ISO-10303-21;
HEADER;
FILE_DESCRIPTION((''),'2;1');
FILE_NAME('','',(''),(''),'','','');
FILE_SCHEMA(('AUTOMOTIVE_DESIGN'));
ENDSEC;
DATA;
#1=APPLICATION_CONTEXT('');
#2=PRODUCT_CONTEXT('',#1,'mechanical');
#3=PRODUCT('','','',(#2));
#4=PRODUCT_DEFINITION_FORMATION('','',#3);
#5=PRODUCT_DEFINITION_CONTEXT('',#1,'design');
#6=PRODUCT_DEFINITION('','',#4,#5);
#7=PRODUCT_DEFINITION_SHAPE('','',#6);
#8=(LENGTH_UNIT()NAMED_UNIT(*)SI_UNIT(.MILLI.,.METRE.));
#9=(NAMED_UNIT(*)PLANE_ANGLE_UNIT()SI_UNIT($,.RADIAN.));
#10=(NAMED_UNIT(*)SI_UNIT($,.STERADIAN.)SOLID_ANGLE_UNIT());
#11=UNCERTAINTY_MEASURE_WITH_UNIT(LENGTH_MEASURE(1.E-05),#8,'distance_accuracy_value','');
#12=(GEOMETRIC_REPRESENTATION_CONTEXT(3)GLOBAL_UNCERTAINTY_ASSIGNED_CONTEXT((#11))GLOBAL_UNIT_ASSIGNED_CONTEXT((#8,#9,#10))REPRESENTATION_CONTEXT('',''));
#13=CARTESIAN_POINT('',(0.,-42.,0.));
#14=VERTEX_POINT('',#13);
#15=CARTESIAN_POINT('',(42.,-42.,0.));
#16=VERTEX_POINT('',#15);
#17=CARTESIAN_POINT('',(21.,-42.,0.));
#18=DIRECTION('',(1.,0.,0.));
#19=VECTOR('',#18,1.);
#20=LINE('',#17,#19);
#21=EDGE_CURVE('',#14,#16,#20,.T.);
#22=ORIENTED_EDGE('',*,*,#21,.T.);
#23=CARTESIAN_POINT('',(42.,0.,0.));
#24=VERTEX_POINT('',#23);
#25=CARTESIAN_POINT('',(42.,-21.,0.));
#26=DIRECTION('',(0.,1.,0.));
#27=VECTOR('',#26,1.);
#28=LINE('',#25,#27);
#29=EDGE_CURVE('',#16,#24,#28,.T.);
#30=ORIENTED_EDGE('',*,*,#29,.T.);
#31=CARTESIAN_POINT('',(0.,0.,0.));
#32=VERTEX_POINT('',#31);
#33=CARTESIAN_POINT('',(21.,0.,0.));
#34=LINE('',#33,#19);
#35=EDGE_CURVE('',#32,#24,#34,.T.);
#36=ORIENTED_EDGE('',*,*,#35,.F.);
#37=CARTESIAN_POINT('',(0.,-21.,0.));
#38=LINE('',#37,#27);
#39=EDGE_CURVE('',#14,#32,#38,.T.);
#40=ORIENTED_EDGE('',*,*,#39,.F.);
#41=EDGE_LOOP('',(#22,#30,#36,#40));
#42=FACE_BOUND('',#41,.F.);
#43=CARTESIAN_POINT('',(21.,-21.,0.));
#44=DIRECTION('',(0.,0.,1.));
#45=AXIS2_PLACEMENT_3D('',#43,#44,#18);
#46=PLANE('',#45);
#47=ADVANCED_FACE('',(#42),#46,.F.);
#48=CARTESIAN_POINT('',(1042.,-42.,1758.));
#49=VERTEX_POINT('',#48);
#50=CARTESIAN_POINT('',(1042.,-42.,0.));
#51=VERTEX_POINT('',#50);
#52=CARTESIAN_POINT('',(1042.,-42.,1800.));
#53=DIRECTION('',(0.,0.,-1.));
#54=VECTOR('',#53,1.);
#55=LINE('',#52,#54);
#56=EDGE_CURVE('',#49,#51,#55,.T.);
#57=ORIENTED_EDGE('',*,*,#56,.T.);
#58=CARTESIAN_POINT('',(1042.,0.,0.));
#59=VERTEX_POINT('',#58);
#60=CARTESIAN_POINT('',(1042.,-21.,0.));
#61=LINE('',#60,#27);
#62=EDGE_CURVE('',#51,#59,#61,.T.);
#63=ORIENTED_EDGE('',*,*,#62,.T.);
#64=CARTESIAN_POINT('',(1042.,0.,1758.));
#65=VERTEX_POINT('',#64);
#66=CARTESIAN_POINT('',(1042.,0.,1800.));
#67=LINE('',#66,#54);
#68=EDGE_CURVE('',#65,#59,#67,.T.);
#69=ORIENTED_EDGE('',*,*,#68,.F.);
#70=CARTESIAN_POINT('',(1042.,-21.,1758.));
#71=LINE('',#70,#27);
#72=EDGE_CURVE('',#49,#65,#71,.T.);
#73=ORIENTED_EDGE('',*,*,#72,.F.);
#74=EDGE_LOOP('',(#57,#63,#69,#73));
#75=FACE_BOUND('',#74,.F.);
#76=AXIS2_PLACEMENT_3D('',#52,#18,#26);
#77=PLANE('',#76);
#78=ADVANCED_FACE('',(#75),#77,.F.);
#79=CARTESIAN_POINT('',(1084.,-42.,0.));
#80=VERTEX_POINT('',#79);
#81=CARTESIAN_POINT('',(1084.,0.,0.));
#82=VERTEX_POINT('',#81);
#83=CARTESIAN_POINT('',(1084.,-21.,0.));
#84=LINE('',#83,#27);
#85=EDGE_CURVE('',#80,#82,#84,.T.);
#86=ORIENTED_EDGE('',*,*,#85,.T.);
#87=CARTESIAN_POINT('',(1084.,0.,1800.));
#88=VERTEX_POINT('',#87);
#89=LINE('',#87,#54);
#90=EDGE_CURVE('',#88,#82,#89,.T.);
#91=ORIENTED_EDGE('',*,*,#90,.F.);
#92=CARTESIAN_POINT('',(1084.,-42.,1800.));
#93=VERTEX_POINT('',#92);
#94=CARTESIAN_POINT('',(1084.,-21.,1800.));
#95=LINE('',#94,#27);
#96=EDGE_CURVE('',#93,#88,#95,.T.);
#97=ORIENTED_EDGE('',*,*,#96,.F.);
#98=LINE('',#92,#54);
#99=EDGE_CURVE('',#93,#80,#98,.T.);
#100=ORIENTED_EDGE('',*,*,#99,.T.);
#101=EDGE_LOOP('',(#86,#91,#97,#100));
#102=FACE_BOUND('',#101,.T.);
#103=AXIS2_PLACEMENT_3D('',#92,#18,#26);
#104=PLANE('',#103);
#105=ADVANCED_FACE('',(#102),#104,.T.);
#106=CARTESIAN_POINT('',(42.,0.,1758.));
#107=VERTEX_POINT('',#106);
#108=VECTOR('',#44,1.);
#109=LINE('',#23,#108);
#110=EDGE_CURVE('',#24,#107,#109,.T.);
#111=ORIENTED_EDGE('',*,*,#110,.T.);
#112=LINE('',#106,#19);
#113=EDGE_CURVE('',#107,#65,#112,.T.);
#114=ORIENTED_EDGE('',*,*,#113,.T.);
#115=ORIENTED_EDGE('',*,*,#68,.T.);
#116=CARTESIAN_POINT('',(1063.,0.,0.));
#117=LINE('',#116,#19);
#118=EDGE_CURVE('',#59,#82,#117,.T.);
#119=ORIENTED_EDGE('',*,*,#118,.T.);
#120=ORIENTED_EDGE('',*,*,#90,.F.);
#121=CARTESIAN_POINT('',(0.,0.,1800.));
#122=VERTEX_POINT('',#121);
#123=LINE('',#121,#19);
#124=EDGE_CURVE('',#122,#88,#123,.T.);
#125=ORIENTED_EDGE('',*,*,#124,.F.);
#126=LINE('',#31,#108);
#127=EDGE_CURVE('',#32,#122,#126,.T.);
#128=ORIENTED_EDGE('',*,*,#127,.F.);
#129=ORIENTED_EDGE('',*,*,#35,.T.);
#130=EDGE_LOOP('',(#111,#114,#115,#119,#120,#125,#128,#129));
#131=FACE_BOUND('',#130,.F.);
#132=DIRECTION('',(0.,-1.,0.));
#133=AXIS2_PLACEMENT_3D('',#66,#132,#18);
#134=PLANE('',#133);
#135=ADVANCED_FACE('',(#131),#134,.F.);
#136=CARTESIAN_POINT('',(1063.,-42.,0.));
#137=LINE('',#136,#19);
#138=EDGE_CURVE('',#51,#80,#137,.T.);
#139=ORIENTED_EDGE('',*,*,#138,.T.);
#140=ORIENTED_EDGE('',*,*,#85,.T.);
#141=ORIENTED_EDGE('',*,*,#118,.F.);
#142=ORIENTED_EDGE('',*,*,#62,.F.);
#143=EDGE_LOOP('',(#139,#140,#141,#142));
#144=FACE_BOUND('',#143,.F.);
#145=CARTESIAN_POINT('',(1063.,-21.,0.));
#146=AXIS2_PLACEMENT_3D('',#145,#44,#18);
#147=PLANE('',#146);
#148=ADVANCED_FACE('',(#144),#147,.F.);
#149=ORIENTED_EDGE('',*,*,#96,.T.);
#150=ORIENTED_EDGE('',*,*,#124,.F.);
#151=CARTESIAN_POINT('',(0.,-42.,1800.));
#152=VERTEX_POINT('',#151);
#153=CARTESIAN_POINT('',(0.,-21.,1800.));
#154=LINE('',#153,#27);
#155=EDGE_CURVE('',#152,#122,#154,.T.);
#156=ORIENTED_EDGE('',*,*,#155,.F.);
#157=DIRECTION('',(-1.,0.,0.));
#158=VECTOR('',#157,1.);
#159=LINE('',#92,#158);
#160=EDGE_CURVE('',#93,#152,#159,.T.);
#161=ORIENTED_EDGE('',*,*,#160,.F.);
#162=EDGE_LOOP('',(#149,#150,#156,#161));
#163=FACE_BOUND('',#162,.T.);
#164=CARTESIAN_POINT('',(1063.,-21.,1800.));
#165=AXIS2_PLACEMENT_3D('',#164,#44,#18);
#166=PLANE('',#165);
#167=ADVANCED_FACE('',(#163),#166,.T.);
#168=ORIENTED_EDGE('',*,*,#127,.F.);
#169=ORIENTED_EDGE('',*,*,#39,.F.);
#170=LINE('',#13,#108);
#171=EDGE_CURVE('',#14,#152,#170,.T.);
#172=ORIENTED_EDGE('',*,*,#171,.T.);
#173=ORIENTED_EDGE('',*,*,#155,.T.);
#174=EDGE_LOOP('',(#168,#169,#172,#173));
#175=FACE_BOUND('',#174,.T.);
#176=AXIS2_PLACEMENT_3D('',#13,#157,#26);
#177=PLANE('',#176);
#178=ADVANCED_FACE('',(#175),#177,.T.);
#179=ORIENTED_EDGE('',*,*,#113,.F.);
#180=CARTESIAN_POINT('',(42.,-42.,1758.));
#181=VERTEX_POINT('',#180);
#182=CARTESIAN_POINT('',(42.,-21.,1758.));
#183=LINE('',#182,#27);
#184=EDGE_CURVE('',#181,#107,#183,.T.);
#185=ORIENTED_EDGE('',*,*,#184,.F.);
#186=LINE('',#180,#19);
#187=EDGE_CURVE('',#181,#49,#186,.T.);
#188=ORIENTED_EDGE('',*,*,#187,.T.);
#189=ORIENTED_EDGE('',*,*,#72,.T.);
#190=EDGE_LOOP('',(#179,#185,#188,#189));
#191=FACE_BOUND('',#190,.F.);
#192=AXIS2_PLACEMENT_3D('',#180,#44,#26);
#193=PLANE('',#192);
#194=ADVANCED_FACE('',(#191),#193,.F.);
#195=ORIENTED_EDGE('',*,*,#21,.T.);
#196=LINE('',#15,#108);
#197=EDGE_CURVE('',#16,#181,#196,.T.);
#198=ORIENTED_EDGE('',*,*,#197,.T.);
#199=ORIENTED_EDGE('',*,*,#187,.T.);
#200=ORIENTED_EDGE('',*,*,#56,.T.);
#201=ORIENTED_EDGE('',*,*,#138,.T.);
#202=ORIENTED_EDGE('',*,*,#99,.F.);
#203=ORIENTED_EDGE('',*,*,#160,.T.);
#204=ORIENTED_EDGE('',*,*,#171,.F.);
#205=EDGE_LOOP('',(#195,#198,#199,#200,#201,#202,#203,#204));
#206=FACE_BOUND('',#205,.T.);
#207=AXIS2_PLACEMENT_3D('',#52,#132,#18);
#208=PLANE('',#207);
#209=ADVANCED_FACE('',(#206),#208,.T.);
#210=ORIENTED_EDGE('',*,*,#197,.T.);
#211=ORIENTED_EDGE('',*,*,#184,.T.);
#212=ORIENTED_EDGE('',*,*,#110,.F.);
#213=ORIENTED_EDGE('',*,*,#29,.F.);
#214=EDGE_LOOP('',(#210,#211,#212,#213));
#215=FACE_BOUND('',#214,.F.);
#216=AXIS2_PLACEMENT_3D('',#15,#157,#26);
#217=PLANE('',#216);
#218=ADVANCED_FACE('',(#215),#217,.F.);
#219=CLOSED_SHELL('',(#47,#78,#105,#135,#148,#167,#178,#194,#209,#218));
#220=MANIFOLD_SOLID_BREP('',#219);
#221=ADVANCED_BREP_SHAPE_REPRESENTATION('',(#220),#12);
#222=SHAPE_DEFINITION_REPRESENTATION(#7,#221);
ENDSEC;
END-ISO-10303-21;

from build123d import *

# Parameters (mm, degrees)
F0_W     = 42
F0_H     = 42
F1_DEPTH = 1800
F2_W     = 42
F2_H     = 42
F3_DEPTH = 1000
F4_W     = 42
F4_H     = 42
F5_DEPTH = 1800


with BuildPart() as f1:
    # F0 (on Top) → F1 (new body)
    with BuildSketch(Plane.XY):
        with Locations((21, -21)):
            Rectangle(F0_W, F0_H)
    extrude(amount=F1_DEPTH)

    # F2 (on face) → F3 (join)
    with BuildSketch(Plane.YZ.offset(42)):
        with Locations((-21, 1779)):
            Rectangle(F2_W, F2_H)
    extrude(amount=F3_DEPTH)

    # F4 (on face) → F5 (join)
    with BuildSketch(Plane.XY.offset(1800)):
        with Locations((1063, -21)):
            Rectangle(F4_W, F4_H)
    extrude(amount=-F5_DEPTH)


solid = f1.part
